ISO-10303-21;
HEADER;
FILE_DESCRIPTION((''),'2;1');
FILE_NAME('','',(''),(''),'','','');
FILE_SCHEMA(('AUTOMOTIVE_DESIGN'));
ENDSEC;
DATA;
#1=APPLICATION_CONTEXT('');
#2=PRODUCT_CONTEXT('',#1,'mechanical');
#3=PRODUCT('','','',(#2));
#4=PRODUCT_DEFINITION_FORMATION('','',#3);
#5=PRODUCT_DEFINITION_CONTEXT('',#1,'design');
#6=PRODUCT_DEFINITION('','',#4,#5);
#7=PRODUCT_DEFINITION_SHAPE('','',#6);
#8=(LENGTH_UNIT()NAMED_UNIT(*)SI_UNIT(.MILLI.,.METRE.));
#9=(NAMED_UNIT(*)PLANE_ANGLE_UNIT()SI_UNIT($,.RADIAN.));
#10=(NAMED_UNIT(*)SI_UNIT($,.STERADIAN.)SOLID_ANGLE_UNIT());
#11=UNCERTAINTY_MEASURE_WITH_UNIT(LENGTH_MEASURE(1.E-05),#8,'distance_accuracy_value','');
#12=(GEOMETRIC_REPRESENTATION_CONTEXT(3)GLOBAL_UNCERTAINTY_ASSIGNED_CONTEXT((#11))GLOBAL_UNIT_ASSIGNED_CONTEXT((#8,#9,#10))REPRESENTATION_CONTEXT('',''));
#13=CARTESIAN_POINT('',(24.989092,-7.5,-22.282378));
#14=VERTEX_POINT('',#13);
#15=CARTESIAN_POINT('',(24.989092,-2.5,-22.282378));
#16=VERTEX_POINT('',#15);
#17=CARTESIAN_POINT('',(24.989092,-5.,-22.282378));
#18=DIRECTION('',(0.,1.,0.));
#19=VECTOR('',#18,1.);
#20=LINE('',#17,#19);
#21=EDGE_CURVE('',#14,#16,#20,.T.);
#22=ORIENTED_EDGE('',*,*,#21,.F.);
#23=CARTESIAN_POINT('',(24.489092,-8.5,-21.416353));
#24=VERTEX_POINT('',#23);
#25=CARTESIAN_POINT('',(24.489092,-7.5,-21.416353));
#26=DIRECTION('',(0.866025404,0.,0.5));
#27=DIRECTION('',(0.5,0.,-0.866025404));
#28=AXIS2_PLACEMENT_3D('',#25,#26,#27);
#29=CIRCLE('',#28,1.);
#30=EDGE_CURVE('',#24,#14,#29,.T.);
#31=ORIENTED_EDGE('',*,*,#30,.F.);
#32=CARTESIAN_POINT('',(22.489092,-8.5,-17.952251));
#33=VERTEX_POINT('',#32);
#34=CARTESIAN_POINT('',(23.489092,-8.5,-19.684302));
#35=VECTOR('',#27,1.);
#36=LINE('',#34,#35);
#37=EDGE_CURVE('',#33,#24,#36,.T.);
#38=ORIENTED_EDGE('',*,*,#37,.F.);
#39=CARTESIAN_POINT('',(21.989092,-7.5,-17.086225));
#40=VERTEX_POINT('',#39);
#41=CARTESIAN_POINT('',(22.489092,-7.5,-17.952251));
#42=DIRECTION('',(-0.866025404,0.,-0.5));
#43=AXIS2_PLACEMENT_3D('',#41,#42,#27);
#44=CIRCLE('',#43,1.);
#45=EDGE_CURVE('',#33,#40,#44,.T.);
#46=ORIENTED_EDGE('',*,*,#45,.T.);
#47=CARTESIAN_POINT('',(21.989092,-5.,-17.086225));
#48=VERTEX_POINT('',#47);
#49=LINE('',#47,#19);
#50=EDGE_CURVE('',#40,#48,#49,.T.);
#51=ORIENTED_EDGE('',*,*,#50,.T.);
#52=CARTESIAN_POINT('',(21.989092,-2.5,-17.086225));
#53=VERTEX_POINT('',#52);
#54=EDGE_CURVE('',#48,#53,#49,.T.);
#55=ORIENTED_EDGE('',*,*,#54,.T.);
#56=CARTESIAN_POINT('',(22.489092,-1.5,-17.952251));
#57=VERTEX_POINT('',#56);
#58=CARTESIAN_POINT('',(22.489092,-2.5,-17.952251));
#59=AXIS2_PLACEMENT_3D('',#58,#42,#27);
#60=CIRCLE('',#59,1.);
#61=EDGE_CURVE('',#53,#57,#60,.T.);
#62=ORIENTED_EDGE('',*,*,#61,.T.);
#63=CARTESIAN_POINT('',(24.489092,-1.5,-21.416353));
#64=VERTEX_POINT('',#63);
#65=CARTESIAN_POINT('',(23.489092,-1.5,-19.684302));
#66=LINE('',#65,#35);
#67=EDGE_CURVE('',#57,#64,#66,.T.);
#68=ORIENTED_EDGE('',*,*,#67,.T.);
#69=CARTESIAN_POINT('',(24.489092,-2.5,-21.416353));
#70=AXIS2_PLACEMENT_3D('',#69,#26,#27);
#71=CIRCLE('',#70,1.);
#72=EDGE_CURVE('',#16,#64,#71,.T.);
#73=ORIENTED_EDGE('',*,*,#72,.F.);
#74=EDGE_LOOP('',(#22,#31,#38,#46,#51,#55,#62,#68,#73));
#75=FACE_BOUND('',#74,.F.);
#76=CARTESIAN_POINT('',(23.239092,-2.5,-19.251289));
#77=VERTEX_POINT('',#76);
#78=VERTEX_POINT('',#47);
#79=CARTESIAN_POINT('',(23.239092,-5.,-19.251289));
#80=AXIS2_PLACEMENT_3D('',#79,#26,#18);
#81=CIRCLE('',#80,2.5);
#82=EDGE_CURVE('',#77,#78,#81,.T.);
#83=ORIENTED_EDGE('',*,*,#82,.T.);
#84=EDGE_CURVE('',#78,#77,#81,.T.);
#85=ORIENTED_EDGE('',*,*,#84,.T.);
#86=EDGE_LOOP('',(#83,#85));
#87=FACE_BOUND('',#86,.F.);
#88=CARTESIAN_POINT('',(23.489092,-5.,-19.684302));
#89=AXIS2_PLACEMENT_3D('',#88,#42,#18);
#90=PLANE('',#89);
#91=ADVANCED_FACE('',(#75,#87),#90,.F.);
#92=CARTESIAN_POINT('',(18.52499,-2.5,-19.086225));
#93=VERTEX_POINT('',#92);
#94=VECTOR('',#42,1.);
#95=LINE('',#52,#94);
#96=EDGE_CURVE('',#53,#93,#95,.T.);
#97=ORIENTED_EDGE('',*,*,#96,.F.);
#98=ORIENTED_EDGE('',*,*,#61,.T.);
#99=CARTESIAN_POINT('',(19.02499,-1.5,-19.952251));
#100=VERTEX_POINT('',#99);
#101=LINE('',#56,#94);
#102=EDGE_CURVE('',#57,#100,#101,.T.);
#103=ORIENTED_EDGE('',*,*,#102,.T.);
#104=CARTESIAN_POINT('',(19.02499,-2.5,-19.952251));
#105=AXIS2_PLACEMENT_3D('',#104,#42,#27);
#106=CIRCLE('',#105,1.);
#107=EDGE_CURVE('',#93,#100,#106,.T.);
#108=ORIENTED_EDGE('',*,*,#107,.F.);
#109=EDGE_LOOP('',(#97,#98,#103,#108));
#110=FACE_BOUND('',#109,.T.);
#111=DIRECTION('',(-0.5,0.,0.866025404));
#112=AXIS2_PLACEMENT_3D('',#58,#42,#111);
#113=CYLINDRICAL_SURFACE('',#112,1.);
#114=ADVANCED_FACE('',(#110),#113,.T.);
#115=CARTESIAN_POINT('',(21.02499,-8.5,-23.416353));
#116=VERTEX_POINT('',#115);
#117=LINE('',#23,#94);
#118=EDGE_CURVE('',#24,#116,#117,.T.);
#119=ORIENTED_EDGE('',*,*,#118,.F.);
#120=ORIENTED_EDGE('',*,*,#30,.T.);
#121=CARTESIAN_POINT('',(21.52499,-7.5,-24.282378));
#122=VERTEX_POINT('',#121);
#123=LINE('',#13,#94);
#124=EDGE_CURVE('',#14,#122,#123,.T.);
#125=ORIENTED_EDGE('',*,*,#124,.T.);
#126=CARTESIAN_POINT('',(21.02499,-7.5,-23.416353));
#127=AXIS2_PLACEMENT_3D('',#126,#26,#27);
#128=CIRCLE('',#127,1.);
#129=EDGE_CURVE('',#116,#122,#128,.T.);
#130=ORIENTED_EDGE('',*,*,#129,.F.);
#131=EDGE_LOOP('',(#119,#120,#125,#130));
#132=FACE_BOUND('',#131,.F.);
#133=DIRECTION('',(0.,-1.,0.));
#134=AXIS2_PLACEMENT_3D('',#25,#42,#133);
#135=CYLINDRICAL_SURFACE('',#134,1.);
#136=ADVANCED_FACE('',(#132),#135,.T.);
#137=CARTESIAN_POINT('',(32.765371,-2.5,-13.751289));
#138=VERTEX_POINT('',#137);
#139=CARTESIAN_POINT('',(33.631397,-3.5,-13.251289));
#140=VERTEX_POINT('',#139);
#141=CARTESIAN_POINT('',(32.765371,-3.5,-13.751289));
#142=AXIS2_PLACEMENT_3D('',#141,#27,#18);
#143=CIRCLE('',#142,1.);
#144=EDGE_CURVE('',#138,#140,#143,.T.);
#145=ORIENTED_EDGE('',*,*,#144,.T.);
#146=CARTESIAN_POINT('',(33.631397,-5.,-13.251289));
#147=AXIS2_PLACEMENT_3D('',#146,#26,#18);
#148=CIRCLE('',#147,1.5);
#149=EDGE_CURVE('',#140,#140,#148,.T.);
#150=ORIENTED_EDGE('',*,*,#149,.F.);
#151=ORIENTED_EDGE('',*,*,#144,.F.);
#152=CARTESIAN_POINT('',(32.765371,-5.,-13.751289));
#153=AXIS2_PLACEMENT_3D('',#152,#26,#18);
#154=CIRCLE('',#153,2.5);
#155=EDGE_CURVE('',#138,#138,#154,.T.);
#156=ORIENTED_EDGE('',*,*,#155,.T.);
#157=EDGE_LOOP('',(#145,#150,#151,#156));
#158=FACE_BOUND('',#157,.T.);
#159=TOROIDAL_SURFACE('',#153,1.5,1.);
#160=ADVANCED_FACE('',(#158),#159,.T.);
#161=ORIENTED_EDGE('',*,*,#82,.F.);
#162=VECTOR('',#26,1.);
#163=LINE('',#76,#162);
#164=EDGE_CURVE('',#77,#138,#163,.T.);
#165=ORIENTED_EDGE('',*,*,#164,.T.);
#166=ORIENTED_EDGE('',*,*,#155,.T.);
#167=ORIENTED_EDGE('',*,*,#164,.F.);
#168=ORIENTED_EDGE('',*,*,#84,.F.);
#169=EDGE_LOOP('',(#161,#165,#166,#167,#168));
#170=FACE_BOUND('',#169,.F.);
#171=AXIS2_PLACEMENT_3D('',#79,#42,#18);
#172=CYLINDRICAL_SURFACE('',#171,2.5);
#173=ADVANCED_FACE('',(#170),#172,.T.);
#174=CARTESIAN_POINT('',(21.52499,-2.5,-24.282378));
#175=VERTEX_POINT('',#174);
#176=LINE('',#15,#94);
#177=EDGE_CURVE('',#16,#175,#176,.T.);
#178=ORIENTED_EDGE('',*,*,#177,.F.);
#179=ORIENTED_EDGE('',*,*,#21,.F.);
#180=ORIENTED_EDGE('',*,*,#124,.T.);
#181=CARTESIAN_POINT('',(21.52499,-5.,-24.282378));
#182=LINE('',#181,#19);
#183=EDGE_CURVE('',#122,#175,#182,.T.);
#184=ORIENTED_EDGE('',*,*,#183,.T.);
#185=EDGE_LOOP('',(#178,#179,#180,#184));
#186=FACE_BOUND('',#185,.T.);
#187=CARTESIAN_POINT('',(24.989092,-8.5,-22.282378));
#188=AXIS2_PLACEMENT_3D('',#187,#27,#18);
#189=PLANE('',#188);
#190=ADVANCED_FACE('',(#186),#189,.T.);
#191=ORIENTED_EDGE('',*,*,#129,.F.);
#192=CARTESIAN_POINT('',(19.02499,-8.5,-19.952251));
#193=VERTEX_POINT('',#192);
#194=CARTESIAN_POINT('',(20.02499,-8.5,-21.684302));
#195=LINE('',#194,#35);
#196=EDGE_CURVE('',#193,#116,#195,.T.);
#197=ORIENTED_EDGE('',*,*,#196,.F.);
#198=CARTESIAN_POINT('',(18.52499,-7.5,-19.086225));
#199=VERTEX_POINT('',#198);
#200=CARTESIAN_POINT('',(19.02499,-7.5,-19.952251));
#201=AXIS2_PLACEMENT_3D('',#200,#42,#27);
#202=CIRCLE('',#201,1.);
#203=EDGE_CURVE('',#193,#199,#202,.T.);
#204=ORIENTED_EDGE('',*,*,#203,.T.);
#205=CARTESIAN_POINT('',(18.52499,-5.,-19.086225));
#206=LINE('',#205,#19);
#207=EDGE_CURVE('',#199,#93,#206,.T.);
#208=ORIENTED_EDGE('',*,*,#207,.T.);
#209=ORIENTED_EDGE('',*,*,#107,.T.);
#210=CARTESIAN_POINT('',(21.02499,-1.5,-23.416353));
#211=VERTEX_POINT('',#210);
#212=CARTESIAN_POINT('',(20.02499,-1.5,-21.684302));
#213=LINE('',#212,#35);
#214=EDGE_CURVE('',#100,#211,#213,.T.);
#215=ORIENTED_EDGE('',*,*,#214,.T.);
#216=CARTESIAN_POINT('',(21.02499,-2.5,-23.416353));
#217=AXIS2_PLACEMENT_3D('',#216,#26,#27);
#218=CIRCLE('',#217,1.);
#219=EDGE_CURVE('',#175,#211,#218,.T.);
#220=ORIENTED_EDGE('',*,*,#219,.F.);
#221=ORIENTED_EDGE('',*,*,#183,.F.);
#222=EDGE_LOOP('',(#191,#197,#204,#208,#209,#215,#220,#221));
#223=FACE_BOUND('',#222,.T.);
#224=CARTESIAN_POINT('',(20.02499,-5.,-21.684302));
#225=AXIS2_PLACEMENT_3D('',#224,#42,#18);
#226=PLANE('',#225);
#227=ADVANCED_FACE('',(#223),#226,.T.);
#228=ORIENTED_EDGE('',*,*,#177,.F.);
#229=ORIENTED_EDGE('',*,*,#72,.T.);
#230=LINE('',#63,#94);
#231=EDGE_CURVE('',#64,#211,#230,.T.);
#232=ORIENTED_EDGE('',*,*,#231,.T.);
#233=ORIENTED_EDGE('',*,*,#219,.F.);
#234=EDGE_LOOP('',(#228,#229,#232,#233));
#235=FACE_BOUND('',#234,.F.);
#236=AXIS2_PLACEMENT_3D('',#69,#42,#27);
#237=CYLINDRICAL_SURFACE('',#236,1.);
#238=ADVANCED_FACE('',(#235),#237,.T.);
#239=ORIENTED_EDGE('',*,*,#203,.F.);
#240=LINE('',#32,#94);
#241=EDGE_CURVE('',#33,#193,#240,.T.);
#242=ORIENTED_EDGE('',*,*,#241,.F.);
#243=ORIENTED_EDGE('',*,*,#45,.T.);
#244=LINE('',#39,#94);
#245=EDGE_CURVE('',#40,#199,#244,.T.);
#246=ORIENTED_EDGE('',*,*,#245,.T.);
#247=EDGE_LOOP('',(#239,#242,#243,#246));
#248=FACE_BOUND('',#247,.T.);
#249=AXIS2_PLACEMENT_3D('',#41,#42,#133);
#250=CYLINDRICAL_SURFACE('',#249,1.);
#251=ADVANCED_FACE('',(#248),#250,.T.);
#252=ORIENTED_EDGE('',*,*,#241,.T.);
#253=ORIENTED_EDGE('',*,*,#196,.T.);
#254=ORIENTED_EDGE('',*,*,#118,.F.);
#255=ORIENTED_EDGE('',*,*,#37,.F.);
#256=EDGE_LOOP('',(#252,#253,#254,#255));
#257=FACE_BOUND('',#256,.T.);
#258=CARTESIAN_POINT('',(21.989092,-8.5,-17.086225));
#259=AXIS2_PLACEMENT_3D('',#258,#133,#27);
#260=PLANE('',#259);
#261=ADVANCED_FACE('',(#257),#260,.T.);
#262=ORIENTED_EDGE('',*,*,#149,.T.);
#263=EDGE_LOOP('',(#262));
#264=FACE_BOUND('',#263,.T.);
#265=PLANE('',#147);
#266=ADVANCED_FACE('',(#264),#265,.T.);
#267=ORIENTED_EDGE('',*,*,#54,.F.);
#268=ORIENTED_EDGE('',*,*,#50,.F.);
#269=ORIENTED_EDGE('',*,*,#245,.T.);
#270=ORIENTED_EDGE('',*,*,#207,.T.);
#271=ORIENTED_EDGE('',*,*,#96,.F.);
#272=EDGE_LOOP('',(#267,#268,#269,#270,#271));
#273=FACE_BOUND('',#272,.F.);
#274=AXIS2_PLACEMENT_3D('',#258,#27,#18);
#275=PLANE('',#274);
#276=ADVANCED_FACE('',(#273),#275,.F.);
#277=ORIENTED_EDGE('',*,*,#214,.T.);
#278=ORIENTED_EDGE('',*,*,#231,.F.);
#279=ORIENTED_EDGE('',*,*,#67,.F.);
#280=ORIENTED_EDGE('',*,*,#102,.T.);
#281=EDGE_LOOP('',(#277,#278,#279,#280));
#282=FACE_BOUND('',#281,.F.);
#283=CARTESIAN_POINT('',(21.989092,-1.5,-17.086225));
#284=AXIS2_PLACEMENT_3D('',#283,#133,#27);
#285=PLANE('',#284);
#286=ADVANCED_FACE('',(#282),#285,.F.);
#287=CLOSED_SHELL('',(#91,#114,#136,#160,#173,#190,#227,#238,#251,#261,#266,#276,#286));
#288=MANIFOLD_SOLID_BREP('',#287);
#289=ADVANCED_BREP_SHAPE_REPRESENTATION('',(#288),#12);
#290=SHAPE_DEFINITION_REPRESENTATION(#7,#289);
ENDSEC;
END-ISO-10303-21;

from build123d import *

# Parameters (mm, degrees)
SKETCH023_R             = 2.5
PAD006_DEPTH            = 12
SKETCH024_W             = 7
SKETCH024_H             = 6
PAD007_DEPTH            = 4
FILLET005_R             = 1
FILLET006_R             = 1
BODY004_PLACEMENT_ANGLE = 330


with BuildPart() as part:
    # Sketch023 → Pad006 (new body)
    with BuildSketch(Plane.YZ):
        Circle(SKETCH023_R)
    extrude(amount=PAD006_DEPTH)

    # Sketch024 (on Face2 of Pad006) → Pad007 (join)
    with BuildSketch(Plane(origin=(0, 0, 0), x_dir=(0, 1, 0), z_dir=(-1, 0, 0))):
        with Locations((0, 0.5)):
            Rectangle(SKETCH024_W, SKETCH024_H)
    extrude(amount=PAD007_DEPTH)

    # Fillet005
    fillet005_edges = [part.edges().sort_by_distance(p)[0] for p in [
        (-2, 3.5, 2.5),
        (-2, 3.5, -3.5),
        (-2, -3.5, -3.5),
        (-2, -3.5, 2.5),
    ]]
    fillet(fillet005_edges, radius=FILLET005_R)

    # Fillet006
    fillet006_edges = [part.edges().sort_by_distance(p)[0] for p in [
        (12, -2.5, 0),
    ]]
    fillet(fillet006_edges, radius=FILLET006_R)


with BuildPart() as part_1:
    # Body004 placement: moved
    add(part.part.moved(Location((23.239092, -5, -19.251289))).rotate(Axis((23.239092, -5, -19.251289), (0, 1, 0)), BODY004_PLACEMENT_ANGLE))


solid = part_1.part
